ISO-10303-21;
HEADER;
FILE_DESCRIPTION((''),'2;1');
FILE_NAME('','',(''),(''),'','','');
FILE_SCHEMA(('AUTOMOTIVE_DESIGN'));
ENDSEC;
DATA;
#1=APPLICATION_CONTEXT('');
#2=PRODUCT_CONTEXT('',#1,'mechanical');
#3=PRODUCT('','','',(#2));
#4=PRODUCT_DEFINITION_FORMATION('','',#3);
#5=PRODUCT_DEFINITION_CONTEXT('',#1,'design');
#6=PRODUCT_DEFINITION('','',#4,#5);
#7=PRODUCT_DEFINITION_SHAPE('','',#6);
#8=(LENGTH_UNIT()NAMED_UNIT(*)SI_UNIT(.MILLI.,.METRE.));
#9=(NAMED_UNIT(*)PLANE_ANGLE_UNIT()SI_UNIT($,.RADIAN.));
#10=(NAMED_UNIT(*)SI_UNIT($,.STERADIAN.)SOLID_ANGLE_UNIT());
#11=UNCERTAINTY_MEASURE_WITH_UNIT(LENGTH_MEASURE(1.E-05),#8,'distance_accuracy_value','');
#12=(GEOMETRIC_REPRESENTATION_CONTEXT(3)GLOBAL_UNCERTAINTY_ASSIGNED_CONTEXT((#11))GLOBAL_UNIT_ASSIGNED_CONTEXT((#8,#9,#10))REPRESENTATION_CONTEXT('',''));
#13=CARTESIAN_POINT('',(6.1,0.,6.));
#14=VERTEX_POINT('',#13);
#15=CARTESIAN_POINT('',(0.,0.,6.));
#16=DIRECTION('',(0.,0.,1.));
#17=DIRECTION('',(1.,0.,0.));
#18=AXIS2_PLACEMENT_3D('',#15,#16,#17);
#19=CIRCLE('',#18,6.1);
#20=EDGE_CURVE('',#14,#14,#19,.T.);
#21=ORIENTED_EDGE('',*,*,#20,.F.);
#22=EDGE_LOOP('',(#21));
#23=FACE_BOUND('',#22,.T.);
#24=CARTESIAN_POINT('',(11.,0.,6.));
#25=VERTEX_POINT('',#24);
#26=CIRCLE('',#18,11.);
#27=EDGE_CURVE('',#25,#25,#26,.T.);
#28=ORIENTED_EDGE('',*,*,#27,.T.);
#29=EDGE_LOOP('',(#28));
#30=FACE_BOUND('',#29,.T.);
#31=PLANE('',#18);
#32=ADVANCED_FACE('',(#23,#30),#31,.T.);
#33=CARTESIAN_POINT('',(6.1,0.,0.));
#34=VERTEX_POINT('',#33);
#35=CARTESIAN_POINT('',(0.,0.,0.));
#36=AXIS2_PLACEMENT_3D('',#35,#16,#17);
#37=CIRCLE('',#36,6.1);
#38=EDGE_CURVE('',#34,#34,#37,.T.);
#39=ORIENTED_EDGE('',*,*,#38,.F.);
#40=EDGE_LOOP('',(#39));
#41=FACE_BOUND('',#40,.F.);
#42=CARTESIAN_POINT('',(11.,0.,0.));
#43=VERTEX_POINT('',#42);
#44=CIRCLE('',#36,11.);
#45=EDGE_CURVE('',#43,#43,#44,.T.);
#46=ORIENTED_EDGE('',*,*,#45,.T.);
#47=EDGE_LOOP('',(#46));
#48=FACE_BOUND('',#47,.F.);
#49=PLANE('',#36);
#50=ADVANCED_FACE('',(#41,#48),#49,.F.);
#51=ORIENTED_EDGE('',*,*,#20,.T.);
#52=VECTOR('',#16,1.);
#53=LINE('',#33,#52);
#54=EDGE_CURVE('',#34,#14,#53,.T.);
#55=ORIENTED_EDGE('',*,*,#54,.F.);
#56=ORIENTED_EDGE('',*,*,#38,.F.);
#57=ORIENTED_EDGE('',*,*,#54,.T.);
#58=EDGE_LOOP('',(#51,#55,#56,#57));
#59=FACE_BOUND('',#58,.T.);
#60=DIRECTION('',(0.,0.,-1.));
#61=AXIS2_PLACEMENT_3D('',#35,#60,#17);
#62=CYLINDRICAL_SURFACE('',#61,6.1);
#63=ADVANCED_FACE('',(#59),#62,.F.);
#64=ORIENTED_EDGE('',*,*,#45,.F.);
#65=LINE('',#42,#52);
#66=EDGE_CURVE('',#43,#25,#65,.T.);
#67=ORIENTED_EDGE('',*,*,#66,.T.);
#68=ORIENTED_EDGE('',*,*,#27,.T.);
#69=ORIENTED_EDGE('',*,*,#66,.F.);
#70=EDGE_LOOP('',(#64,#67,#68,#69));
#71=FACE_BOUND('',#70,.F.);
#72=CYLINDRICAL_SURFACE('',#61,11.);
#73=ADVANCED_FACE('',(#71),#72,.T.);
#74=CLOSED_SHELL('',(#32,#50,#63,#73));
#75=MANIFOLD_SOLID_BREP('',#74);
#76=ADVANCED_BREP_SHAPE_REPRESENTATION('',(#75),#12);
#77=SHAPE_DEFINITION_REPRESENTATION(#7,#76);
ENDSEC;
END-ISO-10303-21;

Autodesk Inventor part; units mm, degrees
ref_plane "YZ Plane" through (0, 0, 0) normal (1, 0, 0) x (0, 1, 0)
ref_plane "XZ Plane" through (0, 0, 0) normal (0, 1, 0) x (-1, 0, 0)
ref_plane "XY Plane" through (0, 0, 0) normal (0, 0, 1) x (1, 0, 0)
sketch "Skizze1" plane through (0, 0, 0) normal (0, 0, 1) x (1, 0, 0)
  arc A0 (-9.5959, 5.5794) -> (9.5959, -5.5794) centre (0, 0) ccw construction
  circle A1 centre (0, 0) radius 6 construction
  circle A2 centre (0, 0) radius 11 construction
  circle A3 centre (0, 0) radius 6.1
  circle A4 centre (0, 0) radius 11
  point P0 (0, 0)
  dimension "d0" = 12.2
extrude "Extrusion1" add sketch "Skizze1" along normal blind 6
properties part number "Distance_lin"
